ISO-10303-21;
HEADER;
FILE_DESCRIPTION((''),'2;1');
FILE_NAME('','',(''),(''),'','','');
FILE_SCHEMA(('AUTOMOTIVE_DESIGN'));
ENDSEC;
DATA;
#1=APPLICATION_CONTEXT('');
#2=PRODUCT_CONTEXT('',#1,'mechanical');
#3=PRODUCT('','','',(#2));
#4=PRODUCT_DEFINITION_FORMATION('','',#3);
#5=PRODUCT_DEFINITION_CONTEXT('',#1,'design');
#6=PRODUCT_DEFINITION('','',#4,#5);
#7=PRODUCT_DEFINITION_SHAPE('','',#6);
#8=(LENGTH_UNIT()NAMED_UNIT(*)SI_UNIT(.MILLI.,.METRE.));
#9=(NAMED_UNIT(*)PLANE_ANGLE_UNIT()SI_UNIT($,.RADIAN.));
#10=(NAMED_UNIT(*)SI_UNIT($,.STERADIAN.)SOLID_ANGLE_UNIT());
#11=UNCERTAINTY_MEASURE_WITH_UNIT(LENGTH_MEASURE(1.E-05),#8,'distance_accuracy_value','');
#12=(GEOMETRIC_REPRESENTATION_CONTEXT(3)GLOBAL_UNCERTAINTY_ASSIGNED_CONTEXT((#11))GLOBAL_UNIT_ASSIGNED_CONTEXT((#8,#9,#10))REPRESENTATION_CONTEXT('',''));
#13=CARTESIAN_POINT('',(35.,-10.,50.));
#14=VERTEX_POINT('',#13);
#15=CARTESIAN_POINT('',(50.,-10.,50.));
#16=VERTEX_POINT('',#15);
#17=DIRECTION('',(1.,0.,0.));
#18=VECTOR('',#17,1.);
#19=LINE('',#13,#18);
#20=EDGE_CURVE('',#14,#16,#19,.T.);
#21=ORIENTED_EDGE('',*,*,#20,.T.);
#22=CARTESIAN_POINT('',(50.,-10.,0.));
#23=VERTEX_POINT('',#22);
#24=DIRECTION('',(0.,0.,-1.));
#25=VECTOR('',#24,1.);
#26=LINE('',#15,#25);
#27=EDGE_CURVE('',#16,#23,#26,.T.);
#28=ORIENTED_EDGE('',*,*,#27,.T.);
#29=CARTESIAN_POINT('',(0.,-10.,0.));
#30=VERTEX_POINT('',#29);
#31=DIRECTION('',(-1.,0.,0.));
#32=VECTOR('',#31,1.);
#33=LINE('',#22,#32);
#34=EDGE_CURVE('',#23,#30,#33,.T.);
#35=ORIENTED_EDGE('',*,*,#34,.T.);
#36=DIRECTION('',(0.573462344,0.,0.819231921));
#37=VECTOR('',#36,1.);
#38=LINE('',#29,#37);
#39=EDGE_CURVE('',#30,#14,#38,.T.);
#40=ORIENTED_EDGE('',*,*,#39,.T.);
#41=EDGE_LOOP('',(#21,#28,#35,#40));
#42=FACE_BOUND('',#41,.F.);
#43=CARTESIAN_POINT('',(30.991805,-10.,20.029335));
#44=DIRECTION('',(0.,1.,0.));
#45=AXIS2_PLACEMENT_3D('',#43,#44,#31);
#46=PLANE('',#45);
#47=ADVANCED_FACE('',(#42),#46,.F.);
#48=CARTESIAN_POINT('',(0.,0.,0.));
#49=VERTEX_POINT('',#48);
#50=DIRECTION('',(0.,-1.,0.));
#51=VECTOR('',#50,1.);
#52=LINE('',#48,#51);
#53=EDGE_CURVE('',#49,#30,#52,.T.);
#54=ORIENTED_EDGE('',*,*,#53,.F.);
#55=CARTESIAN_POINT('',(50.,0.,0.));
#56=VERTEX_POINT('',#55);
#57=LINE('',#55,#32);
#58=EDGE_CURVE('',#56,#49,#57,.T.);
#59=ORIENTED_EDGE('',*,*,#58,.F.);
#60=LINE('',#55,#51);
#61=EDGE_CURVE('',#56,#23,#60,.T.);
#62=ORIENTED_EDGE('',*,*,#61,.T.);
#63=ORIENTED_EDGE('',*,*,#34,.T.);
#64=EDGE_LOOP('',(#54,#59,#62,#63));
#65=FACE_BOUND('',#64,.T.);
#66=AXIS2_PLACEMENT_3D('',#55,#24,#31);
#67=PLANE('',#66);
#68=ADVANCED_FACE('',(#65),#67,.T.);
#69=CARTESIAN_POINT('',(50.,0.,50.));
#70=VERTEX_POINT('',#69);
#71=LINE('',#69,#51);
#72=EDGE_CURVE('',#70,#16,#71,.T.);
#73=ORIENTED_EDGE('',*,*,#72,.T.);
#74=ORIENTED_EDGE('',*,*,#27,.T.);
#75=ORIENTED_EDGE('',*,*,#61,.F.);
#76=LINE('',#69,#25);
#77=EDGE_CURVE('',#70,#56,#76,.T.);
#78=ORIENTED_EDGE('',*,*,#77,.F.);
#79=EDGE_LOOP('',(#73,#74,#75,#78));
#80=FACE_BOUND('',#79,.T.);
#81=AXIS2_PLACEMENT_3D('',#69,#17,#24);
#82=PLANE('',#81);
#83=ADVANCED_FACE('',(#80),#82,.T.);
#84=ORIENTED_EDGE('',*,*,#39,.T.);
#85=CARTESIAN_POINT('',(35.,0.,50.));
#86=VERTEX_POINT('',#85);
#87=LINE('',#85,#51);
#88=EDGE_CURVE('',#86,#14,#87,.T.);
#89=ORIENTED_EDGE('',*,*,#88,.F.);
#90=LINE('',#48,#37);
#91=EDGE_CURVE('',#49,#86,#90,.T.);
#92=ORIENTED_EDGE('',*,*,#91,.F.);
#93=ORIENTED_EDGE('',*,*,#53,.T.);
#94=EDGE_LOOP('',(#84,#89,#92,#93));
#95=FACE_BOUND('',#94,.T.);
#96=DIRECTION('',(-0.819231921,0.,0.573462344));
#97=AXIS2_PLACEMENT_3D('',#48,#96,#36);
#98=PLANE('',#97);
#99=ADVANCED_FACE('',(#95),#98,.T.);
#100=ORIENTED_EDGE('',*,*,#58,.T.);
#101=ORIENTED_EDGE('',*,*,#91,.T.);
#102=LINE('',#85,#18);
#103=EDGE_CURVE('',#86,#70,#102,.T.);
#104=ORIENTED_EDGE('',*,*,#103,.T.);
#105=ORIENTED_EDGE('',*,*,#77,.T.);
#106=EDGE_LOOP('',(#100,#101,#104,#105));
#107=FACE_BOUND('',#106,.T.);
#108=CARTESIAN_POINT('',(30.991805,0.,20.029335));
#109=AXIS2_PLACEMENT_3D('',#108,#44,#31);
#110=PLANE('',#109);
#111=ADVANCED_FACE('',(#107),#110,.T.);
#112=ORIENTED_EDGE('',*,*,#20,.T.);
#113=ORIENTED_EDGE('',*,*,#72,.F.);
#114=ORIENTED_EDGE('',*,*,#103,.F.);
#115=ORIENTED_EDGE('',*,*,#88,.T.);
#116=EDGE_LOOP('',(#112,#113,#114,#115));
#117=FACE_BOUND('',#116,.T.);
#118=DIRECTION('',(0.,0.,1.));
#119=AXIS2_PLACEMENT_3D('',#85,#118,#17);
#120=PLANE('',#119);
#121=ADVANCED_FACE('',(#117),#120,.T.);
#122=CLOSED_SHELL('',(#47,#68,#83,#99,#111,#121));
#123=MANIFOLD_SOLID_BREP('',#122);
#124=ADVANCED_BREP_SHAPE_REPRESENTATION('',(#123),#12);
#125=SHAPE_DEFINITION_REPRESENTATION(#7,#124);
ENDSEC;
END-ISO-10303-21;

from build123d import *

# Parameters (mm, degrees)
PAD_DEPTH = 10


with BuildPart() as part:
    # Sketch → Pad (new body)
    with BuildSketch(Plane.XZ):
        Polygon((0, 0), (35, 50), (50, 50), (50, 0), align=None)
    extrude(amount=PAD_DEPTH)


solid = part.part
